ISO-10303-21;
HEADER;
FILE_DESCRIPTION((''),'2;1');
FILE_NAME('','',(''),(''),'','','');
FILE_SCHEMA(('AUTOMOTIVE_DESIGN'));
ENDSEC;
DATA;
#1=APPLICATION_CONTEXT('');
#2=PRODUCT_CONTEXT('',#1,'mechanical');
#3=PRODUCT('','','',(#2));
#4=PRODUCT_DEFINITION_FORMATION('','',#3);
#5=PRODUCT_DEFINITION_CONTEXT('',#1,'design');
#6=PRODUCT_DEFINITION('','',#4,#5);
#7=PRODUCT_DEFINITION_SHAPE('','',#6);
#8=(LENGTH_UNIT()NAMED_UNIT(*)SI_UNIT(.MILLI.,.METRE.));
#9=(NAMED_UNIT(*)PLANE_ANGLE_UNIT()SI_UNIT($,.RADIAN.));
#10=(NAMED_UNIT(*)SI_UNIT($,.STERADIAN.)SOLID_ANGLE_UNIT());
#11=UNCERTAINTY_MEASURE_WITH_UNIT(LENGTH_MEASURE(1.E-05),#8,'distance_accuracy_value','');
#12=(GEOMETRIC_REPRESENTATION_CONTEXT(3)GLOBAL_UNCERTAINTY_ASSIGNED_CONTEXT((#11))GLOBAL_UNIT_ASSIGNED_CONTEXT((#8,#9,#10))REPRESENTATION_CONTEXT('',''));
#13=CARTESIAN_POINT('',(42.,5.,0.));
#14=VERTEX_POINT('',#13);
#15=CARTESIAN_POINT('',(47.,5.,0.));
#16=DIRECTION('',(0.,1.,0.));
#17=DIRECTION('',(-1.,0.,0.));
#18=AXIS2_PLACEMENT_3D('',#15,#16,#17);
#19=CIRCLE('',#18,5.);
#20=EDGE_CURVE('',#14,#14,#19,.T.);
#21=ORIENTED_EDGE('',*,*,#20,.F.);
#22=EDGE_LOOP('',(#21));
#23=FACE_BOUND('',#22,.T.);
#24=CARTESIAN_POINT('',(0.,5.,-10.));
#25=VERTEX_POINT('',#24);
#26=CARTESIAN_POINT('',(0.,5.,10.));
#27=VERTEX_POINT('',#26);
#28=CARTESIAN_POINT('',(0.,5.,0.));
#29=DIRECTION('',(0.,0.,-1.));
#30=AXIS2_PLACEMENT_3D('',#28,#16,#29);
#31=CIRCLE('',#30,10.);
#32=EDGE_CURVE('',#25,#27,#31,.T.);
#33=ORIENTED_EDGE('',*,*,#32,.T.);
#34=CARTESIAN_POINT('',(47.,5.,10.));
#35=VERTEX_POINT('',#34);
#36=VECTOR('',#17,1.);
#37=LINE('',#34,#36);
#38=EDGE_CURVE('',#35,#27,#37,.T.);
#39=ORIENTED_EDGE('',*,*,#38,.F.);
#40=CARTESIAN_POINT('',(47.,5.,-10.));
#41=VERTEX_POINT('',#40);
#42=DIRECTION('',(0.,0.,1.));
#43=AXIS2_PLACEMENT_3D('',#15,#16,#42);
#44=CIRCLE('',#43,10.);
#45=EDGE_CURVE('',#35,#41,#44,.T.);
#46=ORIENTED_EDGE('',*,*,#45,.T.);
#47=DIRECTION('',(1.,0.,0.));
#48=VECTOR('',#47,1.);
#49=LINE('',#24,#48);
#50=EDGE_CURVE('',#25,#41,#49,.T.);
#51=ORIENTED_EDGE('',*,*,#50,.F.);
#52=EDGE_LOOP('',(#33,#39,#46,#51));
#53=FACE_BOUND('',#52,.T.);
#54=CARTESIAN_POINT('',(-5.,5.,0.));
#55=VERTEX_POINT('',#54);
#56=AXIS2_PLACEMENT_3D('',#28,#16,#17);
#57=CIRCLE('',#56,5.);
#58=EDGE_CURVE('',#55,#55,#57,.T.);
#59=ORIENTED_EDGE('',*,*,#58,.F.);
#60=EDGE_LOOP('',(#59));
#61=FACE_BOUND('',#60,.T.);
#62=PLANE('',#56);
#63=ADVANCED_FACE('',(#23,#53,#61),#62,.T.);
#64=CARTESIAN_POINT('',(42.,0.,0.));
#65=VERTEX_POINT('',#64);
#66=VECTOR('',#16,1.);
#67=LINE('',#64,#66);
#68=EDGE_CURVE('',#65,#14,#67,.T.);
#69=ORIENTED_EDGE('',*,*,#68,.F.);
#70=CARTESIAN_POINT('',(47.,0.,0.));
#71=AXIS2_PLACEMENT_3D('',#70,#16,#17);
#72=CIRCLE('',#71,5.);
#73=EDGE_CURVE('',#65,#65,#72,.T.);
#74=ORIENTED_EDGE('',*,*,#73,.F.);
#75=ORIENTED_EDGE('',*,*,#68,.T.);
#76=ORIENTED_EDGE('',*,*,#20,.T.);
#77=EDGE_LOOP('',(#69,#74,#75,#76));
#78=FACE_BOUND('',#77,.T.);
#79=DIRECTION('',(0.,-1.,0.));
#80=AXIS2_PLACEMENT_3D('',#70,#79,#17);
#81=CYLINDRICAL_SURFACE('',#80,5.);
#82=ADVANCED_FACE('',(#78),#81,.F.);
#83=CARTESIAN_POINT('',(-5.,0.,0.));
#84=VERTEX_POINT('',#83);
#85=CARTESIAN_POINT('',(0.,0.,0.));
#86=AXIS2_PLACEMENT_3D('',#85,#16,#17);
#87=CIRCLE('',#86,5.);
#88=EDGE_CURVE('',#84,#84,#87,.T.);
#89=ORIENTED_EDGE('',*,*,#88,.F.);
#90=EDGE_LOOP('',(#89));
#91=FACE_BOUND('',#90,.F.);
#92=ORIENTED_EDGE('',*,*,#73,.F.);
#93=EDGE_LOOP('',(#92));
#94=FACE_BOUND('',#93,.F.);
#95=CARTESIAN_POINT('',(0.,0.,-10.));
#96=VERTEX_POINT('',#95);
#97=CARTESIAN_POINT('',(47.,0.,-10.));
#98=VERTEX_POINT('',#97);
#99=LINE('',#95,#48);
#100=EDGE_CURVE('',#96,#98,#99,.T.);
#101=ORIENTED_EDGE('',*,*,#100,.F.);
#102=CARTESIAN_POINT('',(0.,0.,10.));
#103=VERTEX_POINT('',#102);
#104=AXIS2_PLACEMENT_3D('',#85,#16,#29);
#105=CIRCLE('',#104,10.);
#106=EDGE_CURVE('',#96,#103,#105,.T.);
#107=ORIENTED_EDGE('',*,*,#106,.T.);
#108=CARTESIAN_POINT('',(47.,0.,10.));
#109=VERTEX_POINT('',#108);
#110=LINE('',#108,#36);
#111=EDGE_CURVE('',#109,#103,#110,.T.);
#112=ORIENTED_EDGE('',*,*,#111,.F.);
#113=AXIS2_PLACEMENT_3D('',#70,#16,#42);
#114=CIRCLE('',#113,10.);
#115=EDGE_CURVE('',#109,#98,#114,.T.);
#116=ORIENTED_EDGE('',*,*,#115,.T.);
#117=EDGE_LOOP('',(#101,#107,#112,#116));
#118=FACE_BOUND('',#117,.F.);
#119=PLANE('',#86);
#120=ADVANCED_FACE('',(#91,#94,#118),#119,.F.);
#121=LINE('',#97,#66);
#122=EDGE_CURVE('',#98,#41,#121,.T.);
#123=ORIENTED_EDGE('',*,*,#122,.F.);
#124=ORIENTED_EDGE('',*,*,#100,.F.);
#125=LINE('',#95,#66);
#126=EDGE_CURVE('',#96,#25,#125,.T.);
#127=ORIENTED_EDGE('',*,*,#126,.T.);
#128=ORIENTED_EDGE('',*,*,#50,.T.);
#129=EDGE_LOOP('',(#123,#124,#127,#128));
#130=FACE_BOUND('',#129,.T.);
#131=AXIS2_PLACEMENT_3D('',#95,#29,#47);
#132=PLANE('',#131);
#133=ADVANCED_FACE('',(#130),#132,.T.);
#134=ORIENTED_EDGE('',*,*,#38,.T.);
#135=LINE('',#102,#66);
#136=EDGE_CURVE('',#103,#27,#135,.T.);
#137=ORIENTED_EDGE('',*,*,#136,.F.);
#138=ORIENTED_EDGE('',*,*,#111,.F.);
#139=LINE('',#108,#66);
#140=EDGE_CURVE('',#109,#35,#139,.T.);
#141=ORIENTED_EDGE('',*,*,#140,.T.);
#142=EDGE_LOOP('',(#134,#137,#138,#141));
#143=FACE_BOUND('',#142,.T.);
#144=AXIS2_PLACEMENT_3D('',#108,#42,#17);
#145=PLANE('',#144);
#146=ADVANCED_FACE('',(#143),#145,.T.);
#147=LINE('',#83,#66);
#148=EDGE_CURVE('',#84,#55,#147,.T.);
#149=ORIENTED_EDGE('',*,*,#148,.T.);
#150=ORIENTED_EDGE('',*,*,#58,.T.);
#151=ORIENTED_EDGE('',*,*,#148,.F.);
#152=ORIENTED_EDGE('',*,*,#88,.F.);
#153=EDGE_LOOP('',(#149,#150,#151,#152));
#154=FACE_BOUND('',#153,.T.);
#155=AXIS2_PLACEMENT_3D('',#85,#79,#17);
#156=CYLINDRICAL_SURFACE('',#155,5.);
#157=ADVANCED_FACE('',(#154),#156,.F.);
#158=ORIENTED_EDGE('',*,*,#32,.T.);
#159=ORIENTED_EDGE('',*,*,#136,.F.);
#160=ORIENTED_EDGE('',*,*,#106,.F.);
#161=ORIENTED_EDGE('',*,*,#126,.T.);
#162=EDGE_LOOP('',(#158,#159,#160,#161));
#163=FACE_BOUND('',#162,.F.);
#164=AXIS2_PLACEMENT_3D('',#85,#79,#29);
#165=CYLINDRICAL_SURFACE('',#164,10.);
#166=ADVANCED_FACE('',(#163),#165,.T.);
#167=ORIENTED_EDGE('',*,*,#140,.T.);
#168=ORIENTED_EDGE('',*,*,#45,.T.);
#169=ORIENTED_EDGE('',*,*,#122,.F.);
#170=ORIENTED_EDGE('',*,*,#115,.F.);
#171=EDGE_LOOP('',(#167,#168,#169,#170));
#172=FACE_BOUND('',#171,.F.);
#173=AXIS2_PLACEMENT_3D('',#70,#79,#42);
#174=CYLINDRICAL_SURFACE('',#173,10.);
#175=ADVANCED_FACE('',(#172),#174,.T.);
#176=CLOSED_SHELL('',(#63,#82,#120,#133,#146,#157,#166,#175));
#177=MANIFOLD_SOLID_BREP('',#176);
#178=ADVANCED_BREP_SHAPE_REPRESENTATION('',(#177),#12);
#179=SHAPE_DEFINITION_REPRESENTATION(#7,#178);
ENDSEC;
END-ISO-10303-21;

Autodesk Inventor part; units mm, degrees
ref_plane "YZ Plane" through (0, 0, 0) normal (1, 0, 0) x (0, 1, 0)
ref_plane "XZ Plane" through (0, 0, 0) normal (0, 1, 0) x (-1, 0, 0)
ref_plane "XY Plane" through (0, 0, 0) normal (0, 0, 1) x (1, 0, 0)
sketch "草圖3" plane through (0, 0, 0) normal (0, 1, 0) x (-1, 0, 0)
  line L0 (-57, 0) -> (10, 0) construction
  line L1 (-47, 10) -> (0, 10)
  line L2 (0, -10) -> (-47, -10)
  arc A0 (-47, 10) -> (-47, -10) centre (-47, 0) ccw
  arc A1 (0, -10) -> (0, 10) centre (0, 0) ccw
  circle A2 centre (-47, 0) radius 5
  circle A3 centre (0, 0) radius 5
  point P0 (-23.5, 0)
  dimension "hole" = 10
  dimension "d14" = 20
  dimension "center_distance" = 47
extrude "擠出3" add sketch "草圖3" along normal blind 5
equation "\"d14\" = 2 * hole"
properties part number "Binary link47"
